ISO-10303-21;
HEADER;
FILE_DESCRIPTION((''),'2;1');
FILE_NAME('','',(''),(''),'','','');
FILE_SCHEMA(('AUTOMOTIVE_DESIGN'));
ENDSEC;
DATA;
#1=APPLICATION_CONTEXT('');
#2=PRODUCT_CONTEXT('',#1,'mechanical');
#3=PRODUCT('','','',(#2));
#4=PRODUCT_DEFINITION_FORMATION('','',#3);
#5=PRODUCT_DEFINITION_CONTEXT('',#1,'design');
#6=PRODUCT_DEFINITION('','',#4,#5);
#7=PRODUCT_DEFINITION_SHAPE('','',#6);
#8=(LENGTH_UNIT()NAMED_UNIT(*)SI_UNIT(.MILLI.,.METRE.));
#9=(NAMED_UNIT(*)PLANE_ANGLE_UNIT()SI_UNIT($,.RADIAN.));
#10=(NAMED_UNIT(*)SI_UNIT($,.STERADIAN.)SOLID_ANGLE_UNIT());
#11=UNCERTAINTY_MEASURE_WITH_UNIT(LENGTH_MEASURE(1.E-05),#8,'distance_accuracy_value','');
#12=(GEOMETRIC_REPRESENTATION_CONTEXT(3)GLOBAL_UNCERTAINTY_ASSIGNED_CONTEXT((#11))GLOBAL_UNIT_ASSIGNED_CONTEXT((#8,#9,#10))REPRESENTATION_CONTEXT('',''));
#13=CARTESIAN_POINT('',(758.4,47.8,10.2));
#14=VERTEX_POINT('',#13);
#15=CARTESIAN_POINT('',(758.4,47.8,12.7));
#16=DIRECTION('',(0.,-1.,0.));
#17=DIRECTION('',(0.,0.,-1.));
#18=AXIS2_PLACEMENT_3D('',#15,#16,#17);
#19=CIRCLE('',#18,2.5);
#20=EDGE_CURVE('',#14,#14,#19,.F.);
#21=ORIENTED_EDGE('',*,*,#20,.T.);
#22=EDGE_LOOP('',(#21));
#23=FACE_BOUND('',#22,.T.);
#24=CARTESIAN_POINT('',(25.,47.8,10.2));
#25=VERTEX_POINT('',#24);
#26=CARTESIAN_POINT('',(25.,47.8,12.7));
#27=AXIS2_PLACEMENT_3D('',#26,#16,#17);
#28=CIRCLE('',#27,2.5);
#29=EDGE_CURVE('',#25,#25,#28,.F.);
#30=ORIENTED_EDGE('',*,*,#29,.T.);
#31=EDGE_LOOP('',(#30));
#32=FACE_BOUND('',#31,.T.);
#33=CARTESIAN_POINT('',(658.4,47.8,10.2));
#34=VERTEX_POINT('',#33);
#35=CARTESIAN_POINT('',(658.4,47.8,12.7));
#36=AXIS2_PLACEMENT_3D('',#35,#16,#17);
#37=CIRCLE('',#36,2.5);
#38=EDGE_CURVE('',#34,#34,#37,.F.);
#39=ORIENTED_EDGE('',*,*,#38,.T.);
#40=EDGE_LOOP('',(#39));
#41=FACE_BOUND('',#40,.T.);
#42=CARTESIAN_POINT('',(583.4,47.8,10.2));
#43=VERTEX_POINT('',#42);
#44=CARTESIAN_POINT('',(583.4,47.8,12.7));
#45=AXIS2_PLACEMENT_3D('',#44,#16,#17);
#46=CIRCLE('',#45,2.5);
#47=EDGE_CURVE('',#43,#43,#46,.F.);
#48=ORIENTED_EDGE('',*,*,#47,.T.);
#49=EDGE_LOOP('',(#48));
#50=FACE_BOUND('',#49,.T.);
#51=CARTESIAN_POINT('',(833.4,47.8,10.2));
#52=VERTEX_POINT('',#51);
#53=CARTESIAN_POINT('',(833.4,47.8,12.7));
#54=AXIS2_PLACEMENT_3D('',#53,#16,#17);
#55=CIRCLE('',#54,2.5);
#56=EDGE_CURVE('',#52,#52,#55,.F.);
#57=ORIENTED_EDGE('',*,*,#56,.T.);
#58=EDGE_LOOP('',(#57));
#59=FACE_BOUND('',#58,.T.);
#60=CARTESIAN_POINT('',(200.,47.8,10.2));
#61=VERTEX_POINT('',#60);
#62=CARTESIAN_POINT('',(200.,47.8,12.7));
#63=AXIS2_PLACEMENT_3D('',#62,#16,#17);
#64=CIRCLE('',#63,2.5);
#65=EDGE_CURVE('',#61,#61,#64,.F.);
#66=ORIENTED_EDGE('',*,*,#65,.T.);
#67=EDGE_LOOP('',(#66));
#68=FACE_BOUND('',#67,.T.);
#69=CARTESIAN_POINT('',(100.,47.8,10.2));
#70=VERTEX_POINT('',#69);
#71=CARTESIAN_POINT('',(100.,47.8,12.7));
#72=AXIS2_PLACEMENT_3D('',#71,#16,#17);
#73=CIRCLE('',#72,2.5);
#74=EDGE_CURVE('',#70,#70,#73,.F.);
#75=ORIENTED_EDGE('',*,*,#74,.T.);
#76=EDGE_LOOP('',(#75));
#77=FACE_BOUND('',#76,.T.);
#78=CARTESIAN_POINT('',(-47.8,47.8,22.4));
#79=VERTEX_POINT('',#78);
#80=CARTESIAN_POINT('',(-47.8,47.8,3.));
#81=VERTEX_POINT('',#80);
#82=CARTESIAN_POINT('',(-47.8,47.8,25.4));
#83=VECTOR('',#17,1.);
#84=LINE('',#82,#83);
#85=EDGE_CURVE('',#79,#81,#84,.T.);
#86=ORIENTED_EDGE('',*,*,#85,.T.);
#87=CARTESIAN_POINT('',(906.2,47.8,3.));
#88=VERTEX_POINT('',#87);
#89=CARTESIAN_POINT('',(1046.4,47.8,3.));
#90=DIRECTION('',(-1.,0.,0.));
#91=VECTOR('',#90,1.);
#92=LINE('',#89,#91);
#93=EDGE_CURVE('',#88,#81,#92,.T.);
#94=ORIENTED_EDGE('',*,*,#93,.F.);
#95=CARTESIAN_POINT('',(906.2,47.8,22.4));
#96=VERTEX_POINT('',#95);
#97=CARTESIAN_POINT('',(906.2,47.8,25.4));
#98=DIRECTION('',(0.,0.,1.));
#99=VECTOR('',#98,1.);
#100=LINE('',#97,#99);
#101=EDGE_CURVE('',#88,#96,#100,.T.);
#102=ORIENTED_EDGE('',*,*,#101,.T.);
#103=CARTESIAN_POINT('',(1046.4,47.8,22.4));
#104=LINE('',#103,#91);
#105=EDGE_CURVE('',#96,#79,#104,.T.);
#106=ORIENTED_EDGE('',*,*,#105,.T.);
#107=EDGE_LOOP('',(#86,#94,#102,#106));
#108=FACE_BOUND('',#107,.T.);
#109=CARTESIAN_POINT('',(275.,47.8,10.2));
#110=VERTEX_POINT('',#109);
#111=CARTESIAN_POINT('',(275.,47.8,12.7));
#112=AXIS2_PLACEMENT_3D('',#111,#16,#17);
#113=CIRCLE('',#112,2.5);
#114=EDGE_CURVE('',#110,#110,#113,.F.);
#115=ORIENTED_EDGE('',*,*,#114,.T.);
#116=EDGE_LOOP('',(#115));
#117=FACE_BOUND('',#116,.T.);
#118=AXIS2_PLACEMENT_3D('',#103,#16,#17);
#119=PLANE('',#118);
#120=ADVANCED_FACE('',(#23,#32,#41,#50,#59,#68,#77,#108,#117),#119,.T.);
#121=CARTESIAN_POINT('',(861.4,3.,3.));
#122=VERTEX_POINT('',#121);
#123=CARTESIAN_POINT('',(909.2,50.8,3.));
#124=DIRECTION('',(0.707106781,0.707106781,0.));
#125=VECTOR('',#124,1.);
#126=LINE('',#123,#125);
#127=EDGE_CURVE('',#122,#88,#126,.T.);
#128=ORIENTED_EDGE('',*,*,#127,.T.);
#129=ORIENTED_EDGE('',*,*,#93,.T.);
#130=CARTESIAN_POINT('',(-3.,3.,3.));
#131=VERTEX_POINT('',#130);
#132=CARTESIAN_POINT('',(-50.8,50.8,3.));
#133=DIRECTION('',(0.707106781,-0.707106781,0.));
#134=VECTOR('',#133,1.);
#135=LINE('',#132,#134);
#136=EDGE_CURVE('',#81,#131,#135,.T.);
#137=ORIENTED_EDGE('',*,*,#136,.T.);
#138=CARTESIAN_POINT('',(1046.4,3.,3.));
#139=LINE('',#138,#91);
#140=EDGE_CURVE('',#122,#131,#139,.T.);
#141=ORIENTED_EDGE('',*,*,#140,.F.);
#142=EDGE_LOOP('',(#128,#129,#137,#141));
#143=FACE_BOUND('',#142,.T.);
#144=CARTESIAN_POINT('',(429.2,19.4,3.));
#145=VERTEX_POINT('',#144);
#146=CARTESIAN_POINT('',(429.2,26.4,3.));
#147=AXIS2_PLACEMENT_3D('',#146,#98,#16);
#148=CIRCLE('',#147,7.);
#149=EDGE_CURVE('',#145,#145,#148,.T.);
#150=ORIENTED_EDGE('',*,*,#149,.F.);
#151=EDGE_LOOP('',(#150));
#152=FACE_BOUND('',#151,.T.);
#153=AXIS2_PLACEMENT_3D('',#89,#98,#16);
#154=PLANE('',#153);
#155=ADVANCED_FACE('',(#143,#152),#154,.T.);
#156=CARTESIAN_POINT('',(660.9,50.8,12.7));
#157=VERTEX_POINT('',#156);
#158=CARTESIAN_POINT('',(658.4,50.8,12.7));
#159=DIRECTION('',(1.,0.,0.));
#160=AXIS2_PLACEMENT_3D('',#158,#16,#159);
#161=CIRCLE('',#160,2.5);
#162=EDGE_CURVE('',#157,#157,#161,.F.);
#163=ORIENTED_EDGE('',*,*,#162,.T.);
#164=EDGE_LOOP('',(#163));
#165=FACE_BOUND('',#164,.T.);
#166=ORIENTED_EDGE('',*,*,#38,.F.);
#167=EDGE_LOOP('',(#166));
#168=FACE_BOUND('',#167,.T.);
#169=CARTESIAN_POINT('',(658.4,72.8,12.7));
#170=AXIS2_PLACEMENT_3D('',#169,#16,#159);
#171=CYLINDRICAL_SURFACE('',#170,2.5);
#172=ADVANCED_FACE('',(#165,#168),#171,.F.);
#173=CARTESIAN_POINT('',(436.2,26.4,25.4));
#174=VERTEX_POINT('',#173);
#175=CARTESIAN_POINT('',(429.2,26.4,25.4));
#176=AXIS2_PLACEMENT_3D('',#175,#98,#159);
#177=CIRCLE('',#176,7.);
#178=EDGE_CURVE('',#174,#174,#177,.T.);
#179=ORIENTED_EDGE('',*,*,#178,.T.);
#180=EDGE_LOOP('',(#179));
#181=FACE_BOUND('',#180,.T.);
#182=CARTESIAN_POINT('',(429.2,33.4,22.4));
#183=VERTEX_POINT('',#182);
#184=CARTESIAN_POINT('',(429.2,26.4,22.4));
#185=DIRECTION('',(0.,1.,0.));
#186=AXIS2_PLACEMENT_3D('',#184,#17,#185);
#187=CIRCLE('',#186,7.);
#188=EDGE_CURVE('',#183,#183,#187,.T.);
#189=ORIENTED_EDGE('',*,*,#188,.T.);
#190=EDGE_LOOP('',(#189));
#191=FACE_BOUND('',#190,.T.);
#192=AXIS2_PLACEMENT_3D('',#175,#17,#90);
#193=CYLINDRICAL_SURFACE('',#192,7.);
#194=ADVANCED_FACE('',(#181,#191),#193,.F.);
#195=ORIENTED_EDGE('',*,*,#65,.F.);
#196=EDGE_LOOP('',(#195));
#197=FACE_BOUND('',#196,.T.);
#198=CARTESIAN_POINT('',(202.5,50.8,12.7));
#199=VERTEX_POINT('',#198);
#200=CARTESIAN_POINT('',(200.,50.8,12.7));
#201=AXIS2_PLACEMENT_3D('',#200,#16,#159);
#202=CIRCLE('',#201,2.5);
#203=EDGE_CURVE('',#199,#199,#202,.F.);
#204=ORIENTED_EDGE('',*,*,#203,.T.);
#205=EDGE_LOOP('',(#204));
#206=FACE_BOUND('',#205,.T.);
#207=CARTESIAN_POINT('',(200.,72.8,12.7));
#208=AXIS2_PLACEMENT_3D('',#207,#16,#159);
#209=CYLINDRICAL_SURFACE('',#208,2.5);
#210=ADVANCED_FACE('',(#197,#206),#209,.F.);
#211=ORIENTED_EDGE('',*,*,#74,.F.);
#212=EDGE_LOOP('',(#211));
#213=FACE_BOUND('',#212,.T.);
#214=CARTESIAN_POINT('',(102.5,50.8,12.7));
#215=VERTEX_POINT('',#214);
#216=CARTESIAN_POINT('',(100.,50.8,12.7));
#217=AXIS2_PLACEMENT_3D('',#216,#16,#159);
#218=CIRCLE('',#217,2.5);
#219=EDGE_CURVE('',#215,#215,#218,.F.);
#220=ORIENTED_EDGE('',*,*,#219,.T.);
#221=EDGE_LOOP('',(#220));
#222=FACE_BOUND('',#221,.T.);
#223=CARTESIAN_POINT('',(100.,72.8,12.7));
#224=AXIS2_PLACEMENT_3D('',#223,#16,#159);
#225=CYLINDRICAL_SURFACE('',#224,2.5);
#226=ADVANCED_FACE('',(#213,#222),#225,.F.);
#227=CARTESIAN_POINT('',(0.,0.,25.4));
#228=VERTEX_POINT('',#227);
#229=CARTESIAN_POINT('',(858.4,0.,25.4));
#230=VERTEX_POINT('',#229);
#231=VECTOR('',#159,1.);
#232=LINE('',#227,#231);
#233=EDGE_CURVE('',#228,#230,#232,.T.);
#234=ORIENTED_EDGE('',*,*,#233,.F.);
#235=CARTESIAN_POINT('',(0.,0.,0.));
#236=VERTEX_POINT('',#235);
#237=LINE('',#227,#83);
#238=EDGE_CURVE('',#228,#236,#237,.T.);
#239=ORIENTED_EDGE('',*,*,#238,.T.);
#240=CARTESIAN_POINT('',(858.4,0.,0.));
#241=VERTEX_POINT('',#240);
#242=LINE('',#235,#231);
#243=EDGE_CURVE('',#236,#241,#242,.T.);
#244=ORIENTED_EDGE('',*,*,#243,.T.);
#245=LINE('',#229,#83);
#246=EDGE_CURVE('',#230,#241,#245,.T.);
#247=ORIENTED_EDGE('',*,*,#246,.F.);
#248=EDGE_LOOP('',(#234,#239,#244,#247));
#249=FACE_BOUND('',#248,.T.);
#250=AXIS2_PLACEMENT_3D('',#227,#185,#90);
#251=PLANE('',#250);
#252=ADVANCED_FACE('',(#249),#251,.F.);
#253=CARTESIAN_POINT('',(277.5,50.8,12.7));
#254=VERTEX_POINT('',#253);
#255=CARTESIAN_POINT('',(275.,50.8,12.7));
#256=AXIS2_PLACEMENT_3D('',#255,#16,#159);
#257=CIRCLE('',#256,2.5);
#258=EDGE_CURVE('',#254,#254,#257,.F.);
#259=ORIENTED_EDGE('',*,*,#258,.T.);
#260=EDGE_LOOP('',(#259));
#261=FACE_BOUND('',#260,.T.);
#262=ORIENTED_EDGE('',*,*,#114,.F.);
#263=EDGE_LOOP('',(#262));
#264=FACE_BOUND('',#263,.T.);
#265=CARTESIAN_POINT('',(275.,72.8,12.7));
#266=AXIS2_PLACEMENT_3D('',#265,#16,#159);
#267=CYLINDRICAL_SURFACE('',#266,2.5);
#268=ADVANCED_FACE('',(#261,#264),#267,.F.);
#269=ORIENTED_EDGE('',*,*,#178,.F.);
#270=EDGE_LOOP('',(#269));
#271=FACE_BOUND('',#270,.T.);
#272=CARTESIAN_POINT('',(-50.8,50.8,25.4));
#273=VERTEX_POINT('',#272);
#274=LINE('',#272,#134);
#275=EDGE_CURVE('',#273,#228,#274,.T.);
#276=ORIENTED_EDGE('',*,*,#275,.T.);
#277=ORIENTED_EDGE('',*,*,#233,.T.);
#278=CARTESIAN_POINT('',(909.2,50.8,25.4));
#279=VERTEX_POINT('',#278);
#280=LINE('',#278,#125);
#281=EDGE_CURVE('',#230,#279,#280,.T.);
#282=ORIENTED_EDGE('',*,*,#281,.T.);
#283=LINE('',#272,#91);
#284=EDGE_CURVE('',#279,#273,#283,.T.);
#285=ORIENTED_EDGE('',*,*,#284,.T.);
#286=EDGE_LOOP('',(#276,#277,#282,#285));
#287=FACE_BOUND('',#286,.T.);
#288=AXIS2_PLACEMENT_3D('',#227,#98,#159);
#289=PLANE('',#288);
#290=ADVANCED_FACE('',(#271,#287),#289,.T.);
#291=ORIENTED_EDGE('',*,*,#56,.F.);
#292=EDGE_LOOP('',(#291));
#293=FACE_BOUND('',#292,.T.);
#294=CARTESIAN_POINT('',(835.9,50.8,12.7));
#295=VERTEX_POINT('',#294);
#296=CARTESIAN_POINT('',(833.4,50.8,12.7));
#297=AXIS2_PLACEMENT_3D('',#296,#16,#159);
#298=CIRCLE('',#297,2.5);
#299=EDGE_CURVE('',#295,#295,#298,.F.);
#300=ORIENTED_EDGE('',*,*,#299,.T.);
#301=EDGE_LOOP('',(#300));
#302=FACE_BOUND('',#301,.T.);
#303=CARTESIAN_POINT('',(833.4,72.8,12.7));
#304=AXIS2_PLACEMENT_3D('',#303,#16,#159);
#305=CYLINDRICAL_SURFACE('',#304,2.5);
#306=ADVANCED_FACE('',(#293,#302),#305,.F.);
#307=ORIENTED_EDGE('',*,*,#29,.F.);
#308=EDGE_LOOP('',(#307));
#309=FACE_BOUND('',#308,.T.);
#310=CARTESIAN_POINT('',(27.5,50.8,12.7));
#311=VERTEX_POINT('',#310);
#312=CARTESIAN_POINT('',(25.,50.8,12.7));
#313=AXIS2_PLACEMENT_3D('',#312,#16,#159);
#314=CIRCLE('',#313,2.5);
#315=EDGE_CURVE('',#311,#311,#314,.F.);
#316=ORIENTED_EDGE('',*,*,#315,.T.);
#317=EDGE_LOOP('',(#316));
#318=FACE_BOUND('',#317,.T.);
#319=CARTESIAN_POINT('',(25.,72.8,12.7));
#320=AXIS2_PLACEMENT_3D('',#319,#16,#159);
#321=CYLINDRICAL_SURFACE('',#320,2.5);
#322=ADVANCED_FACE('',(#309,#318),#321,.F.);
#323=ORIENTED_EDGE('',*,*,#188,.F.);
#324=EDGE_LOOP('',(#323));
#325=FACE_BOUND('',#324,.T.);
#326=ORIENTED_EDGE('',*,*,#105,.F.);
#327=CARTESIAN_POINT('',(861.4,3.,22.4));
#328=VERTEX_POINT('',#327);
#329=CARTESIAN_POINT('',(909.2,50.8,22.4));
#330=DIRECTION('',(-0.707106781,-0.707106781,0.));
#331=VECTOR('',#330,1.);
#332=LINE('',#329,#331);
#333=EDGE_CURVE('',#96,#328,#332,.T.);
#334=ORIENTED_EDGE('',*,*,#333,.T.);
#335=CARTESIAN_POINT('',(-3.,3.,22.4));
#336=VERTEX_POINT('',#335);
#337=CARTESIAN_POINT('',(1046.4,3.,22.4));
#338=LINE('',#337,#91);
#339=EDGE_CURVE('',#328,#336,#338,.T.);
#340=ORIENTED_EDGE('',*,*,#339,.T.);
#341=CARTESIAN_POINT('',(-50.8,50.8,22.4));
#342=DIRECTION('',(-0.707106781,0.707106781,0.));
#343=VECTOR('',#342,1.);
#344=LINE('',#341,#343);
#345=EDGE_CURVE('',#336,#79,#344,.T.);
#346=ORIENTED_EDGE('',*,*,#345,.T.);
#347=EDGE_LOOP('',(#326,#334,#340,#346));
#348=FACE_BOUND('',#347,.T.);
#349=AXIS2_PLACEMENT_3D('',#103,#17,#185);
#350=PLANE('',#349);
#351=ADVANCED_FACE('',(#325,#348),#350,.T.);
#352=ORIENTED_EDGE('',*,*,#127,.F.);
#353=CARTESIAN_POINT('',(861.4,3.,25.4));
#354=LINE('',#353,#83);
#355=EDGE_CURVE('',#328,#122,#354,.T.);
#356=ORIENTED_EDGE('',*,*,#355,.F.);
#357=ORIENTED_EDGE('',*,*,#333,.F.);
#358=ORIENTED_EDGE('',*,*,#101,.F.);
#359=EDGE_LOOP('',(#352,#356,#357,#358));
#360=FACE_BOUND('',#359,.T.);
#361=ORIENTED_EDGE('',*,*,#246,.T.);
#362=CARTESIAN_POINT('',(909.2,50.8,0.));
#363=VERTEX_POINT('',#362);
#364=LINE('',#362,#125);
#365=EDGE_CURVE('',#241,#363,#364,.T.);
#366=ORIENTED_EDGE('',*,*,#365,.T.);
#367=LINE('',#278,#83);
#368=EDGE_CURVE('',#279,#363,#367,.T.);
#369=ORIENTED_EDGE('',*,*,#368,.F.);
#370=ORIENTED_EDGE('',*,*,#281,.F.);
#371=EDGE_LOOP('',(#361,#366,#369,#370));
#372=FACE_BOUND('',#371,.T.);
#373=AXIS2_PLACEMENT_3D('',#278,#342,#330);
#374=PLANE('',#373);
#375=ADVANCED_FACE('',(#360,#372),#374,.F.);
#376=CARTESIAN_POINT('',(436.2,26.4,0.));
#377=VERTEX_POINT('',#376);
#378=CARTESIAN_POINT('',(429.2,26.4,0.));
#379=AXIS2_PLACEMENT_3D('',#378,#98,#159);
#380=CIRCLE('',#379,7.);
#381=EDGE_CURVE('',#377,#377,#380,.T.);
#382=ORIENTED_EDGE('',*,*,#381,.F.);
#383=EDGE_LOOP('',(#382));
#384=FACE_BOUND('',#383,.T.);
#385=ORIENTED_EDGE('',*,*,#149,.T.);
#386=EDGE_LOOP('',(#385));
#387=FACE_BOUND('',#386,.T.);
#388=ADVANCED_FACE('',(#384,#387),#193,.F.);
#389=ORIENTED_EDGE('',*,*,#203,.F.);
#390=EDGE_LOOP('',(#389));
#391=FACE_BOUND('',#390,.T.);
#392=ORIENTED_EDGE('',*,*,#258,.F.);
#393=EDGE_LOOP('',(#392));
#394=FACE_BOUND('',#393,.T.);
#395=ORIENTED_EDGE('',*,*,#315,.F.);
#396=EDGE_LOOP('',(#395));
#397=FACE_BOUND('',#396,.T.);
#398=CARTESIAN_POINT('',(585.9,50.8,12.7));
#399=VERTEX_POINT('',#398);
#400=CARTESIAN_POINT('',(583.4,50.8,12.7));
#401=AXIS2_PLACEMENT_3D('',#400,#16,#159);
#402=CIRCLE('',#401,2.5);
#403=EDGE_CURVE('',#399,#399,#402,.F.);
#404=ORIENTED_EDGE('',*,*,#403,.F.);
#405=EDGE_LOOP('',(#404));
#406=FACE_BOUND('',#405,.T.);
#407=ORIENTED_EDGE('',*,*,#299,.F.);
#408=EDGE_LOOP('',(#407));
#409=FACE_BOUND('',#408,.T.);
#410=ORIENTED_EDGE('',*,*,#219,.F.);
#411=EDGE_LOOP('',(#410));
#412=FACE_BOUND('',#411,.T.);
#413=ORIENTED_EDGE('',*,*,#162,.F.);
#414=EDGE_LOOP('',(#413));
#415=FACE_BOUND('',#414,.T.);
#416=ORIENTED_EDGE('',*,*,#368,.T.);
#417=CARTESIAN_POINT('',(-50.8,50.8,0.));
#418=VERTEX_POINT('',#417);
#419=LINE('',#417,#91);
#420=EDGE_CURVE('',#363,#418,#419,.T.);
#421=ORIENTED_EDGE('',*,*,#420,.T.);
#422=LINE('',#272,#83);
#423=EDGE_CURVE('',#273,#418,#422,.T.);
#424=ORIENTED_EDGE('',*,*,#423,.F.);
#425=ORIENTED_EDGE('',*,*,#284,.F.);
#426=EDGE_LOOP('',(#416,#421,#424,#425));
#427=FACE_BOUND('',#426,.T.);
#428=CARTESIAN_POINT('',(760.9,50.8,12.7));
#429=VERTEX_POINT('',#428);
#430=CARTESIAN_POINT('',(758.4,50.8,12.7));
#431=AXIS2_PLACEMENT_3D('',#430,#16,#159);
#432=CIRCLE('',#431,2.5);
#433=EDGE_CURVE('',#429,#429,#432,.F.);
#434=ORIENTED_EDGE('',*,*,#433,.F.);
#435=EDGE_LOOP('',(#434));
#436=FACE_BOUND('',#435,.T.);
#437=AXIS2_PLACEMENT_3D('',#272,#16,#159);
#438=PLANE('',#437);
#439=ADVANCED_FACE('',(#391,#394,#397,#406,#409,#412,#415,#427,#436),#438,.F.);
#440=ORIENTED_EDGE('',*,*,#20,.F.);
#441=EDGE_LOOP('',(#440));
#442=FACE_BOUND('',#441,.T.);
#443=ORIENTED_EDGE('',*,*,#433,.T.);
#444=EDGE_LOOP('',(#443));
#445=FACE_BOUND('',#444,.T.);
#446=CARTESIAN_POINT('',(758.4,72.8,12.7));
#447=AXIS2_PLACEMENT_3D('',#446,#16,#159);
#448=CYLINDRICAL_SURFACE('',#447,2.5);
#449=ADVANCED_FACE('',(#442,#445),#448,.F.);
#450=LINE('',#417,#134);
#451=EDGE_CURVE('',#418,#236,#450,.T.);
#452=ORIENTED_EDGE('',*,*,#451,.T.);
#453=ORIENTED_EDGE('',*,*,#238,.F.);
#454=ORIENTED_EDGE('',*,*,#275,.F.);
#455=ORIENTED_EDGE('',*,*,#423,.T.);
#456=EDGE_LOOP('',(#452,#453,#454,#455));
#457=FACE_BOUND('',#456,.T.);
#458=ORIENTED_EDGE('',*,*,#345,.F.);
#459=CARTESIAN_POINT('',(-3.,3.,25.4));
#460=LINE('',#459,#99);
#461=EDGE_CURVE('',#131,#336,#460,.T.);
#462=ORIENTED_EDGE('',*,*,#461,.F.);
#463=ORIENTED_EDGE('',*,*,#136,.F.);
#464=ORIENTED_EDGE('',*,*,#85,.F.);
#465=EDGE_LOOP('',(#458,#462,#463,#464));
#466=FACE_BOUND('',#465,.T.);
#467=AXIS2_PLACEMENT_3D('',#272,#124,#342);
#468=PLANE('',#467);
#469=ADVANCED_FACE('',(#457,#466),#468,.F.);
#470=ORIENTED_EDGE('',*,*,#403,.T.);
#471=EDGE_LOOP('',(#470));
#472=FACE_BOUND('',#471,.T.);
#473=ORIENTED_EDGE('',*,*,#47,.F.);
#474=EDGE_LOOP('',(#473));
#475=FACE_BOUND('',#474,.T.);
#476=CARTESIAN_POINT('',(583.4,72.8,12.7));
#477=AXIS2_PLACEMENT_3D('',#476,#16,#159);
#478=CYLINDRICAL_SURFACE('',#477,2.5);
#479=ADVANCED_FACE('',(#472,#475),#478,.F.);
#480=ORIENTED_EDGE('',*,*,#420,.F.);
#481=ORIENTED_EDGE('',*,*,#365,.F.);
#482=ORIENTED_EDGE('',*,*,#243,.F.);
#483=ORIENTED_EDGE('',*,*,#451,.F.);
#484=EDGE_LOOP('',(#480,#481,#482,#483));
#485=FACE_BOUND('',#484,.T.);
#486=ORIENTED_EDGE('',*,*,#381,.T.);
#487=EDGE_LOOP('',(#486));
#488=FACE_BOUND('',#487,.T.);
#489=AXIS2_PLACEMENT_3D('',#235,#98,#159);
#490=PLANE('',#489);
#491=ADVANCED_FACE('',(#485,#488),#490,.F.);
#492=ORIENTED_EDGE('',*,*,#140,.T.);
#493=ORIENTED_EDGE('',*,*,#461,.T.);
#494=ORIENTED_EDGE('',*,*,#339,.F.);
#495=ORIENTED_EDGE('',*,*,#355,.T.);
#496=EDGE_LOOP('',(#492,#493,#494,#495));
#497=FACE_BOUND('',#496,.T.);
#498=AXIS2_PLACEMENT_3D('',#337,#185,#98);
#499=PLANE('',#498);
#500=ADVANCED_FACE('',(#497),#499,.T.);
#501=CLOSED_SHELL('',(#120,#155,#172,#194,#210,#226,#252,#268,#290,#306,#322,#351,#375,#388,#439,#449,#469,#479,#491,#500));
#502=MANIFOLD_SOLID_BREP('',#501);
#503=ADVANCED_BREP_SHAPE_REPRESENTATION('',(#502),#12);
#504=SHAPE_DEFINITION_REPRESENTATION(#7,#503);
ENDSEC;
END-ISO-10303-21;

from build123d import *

# Parameters (mm, degrees)
SKETCH1_R               = 7
BOSS_EXTRUDE1_DEPTH     = 25.4
CUT_EXTRUDE1_DEPTH      = 1046.4
CUT_EXTRUDE1_DEPTH_BACK = 201.4
SKETCH3_W               = 19.4
SKETCH3_H               = 44.8
CUT_EXTRUDE2_DEPTH      = 22
CUT_EXTRUDE2_DEPTH_BACK = 22
SKETCH4_R               = 2.5


with BuildPart() as part:
    # Sketch1 → Boss-Extrude1 (new body)
    with BuildSketch(Plane.XY):
        Polygon((-50.8, 50.8), (0, 0), (858.4, 0), (909.2, 50.8), align=None)
        with Locations((429.2, 26.4)):
            Circle(SKETCH1_R, mode=Mode.SUBTRACT)
    extrude(amount=BOSS_EXTRUDE1_DEPTH)

    # Sketch3 → Cut-Extrude1 (cut, two sides: drawn at the far end of the back side and taken through both)
    with BuildSketch(Plane(origin=(0, 0, 0), x_dir=(0, 0, -1), z_dir=(1, 0, 0)).offset(-CUT_EXTRUDE1_DEPTH_BACK)):
        with Locations((-12.7, 25.4)):
            Rectangle(SKETCH3_W, SKETCH3_H)
    extrude(amount=CUT_EXTRUDE1_DEPTH + CUT_EXTRUDE1_DEPTH_BACK, mode=Mode.SUBTRACT)

    # Sketch4 → Cut-Extrude2 (cut, two sides: drawn at the far end of the back side and taken through both)
    with BuildSketch(Plane(origin=(0, 50.8, 0), x_dir=(1, 0, 0), z_dir=(0, 1, 0)).offset(-CUT_EXTRUDE2_DEPTH_BACK)):
        with Locations((25, -12.7)):
            Circle(SKETCH4_R)
        with Locations((100, -12.7)):
            Circle(SKETCH4_R)
        with Locations((200, -12.7)):
            Circle(SKETCH4_R)
        with Locations((275, -12.7)):
            Circle(SKETCH4_R)
        with Locations((833.4, -12.7)):
            Circle(SKETCH4_R)
        with Locations((758.4, -12.7)):
            Circle(SKETCH4_R)
        with Locations((658.4, -12.7)):
            Circle(SKETCH4_R)
        with Locations((583.4, -12.7)):
            Circle(SKETCH4_R)
    extrude(amount=CUT_EXTRUDE2_DEPTH + CUT_EXTRUDE2_DEPTH_BACK, mode=Mode.SUBTRACT)


solid = part.part
